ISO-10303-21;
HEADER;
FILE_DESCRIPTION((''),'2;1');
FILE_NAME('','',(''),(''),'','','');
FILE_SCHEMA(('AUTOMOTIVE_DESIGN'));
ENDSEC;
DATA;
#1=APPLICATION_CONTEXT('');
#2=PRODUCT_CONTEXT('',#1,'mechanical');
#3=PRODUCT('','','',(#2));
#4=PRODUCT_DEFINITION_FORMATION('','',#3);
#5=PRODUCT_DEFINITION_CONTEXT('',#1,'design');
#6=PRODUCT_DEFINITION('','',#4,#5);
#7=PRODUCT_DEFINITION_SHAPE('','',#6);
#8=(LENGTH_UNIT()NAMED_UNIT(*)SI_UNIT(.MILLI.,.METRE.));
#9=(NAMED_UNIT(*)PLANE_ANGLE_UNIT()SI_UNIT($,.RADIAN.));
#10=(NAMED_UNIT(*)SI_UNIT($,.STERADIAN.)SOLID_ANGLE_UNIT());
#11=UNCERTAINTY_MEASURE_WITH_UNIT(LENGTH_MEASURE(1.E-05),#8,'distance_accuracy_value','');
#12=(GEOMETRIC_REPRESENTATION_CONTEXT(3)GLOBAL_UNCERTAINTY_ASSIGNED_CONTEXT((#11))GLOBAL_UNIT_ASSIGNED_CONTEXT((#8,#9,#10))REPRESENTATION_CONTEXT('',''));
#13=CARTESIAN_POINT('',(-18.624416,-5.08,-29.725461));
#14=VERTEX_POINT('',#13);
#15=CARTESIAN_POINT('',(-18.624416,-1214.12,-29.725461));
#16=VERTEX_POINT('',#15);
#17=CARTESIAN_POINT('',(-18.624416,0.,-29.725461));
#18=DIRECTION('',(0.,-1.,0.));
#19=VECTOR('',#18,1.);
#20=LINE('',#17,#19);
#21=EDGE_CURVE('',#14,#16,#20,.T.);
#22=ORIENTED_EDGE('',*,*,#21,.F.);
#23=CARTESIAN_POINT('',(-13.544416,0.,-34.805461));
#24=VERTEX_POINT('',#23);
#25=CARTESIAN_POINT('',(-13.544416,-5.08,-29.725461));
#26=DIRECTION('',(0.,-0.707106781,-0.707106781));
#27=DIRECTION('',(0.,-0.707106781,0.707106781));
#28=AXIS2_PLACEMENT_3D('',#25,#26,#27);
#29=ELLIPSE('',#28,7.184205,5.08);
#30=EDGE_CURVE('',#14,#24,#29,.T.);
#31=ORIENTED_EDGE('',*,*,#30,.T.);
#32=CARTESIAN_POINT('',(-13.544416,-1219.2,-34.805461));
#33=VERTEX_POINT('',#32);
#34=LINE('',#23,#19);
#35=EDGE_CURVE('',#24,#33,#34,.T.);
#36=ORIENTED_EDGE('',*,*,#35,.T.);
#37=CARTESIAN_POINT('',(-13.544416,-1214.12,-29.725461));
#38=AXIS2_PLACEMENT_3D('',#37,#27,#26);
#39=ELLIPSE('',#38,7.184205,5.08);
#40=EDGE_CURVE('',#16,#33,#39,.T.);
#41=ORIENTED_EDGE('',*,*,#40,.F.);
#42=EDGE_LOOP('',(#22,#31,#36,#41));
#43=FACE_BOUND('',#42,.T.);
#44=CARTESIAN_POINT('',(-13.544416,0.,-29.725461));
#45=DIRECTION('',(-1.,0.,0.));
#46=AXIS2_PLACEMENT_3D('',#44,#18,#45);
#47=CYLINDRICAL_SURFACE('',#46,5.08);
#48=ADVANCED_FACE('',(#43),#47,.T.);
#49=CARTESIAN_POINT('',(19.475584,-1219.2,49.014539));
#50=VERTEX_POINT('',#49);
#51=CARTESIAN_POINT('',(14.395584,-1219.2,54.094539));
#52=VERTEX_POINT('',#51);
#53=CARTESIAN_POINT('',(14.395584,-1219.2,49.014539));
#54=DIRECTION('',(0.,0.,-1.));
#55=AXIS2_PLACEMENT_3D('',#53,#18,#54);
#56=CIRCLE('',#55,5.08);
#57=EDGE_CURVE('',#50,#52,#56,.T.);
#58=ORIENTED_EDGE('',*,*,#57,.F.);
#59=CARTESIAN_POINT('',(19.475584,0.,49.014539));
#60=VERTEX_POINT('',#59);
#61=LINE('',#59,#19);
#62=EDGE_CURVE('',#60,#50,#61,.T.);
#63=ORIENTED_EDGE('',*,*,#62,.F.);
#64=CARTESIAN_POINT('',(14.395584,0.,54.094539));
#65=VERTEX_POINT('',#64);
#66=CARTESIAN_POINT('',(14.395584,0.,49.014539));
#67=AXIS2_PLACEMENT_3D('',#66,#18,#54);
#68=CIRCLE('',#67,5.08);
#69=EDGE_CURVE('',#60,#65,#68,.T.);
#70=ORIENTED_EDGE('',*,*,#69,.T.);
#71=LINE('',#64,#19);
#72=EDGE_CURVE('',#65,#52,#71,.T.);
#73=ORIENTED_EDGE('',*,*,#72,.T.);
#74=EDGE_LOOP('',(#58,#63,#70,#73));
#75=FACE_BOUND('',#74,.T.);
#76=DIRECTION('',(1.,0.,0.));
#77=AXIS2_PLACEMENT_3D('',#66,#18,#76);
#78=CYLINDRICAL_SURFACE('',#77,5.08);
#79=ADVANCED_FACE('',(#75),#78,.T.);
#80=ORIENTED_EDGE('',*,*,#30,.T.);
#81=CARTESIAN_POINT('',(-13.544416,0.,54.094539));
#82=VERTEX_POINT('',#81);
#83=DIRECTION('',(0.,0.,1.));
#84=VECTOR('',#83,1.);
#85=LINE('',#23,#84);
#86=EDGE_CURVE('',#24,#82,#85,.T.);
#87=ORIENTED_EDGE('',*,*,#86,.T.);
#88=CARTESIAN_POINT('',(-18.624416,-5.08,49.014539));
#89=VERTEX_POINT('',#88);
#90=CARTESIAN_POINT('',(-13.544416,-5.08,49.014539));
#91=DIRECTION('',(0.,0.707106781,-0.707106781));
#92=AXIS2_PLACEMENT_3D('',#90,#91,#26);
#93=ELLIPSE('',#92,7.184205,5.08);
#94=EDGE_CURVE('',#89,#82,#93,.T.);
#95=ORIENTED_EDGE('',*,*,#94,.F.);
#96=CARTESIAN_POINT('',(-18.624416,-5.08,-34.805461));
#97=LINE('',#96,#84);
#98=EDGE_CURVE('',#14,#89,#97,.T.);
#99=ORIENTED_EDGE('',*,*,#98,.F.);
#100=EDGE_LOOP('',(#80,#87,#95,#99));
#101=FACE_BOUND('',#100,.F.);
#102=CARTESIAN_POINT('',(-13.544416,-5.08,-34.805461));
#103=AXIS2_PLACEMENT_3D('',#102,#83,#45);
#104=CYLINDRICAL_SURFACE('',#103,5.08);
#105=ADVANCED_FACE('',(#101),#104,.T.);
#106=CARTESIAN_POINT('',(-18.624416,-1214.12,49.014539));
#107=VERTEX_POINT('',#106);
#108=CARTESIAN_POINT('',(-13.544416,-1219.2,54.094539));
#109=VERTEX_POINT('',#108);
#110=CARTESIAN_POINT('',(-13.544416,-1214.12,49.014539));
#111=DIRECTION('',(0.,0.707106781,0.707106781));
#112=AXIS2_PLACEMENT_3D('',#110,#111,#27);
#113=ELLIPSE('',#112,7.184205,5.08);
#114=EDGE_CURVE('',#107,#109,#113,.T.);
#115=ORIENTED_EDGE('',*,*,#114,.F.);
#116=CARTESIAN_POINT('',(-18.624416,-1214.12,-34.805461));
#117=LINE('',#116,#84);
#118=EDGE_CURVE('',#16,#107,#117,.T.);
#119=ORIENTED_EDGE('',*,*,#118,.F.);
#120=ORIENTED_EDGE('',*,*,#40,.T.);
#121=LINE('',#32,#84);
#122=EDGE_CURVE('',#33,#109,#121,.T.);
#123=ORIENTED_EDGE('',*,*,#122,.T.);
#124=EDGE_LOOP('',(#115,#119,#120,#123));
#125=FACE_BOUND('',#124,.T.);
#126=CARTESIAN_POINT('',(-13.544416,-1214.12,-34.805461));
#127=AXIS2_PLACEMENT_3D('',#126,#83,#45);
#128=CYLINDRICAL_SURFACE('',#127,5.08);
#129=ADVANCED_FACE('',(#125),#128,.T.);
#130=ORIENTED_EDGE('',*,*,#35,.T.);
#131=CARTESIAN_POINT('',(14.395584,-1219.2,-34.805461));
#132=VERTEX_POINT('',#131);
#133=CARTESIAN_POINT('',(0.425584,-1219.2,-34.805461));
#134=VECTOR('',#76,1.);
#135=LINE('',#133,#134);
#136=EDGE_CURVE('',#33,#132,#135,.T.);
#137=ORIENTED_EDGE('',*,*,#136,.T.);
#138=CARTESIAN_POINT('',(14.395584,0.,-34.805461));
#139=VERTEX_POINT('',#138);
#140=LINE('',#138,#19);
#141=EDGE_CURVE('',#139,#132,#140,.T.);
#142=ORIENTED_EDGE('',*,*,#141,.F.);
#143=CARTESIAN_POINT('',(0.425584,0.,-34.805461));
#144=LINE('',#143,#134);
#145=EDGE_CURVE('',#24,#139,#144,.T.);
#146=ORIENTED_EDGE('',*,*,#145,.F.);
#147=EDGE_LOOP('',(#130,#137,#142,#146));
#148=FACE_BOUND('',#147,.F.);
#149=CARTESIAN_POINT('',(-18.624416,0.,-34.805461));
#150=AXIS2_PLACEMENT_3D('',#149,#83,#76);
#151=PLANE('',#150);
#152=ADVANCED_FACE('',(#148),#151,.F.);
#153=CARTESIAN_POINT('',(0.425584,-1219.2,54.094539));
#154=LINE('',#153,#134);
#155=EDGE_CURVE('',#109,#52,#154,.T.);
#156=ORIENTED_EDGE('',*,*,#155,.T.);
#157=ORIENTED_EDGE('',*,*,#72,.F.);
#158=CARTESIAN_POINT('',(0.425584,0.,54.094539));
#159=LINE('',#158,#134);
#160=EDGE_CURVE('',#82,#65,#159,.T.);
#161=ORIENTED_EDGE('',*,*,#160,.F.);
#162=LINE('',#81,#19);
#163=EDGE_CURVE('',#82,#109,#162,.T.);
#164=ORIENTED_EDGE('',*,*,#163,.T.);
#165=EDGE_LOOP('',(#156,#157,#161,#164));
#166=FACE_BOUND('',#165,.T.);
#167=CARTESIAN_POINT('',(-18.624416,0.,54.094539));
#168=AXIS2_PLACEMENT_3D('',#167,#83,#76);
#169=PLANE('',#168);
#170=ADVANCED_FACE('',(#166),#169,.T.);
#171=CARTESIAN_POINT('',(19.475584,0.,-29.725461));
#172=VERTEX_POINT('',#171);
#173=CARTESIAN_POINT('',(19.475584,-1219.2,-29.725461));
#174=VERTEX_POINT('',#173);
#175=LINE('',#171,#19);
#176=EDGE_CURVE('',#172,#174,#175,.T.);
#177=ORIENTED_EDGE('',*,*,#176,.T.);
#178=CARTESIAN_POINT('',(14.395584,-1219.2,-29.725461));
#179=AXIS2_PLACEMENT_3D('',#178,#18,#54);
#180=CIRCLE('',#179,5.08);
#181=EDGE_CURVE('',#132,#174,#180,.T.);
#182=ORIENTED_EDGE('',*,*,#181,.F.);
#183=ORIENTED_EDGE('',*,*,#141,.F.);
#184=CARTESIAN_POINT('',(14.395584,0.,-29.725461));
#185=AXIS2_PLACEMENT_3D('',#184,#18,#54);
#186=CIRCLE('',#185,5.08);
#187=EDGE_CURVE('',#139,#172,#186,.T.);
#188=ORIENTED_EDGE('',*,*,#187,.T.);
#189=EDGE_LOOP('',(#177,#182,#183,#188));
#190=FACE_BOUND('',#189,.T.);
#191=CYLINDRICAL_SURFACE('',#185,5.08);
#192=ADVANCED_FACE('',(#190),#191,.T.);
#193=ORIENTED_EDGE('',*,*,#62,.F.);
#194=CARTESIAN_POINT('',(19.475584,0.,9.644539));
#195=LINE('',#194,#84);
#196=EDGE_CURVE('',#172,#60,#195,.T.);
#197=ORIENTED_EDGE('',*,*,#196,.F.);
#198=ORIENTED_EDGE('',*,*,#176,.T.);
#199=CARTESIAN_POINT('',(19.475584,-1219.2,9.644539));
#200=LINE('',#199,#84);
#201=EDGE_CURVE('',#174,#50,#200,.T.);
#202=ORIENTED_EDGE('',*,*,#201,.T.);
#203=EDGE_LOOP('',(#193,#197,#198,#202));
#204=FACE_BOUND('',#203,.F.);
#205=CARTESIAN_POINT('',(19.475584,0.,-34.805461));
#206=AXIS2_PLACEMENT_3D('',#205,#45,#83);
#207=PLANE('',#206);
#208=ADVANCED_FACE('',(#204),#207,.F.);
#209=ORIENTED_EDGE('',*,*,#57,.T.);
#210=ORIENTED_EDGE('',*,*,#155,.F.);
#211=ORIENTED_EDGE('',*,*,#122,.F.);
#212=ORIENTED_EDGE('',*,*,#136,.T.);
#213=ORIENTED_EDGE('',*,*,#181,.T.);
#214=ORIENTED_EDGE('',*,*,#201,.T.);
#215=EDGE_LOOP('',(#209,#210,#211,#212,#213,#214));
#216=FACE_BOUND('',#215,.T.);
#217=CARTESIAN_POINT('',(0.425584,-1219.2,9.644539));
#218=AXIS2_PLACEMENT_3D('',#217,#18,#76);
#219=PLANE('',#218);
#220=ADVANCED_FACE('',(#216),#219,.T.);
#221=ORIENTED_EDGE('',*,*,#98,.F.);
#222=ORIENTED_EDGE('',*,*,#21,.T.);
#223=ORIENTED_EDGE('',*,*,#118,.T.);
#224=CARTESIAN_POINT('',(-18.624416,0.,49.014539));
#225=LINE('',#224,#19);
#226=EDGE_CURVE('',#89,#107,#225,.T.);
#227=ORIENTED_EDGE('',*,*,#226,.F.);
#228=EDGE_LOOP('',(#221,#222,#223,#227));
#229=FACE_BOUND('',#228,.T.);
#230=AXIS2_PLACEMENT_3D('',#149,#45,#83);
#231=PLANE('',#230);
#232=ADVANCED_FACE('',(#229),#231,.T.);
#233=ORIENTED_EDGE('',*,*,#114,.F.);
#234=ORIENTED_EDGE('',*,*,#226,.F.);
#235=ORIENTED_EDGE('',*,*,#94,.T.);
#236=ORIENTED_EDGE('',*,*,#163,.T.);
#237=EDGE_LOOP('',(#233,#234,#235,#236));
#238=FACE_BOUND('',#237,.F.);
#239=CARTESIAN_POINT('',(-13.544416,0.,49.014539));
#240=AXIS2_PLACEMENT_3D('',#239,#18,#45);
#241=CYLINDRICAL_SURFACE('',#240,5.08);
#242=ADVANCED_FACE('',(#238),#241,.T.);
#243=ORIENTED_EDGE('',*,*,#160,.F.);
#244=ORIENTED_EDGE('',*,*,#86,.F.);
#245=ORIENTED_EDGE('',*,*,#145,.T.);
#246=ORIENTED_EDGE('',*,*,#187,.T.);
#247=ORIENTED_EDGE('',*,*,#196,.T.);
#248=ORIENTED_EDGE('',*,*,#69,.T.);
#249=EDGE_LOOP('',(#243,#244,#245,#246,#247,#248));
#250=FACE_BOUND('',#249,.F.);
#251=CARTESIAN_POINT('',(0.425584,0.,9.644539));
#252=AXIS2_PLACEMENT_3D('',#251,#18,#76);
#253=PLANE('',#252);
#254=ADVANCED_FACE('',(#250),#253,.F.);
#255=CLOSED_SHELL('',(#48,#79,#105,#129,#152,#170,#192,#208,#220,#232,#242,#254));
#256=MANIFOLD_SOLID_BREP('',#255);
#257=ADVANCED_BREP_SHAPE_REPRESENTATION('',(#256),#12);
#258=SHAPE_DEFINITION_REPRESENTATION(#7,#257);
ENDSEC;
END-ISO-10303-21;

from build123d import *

# Parameters (mm, degrees)
F0_W     = 38.1
F0_H     = 88.9
F1_DEPTH = 1219.2
F2_R     = 5.08


with BuildPart() as f1:
    # F0 (on Front) → F1 (new body)
    with BuildSketch(Plane.XZ):
        with Locations((0.425584, 9.644539)):
            Rectangle(F0_W, F0_H)
    extrude(amount=F1_DEPTH)

    # F2
    f2_edges = [f1.edges().sort_by_distance(p)[0] for p in [
        (-18.624416, -609.6, 54.094539),
        (19.475584, -609.6, 54.094539),
        (-18.624416, -609.6, -34.805461),
        (-18.624416, 0, 9.644539),
        (-18.624416, -1219.2, 9.644539),
        (19.475584, -609.6, -34.805461),
    ]]
    fillet(f2_edges, radius=F2_R)


solid = f1.part
